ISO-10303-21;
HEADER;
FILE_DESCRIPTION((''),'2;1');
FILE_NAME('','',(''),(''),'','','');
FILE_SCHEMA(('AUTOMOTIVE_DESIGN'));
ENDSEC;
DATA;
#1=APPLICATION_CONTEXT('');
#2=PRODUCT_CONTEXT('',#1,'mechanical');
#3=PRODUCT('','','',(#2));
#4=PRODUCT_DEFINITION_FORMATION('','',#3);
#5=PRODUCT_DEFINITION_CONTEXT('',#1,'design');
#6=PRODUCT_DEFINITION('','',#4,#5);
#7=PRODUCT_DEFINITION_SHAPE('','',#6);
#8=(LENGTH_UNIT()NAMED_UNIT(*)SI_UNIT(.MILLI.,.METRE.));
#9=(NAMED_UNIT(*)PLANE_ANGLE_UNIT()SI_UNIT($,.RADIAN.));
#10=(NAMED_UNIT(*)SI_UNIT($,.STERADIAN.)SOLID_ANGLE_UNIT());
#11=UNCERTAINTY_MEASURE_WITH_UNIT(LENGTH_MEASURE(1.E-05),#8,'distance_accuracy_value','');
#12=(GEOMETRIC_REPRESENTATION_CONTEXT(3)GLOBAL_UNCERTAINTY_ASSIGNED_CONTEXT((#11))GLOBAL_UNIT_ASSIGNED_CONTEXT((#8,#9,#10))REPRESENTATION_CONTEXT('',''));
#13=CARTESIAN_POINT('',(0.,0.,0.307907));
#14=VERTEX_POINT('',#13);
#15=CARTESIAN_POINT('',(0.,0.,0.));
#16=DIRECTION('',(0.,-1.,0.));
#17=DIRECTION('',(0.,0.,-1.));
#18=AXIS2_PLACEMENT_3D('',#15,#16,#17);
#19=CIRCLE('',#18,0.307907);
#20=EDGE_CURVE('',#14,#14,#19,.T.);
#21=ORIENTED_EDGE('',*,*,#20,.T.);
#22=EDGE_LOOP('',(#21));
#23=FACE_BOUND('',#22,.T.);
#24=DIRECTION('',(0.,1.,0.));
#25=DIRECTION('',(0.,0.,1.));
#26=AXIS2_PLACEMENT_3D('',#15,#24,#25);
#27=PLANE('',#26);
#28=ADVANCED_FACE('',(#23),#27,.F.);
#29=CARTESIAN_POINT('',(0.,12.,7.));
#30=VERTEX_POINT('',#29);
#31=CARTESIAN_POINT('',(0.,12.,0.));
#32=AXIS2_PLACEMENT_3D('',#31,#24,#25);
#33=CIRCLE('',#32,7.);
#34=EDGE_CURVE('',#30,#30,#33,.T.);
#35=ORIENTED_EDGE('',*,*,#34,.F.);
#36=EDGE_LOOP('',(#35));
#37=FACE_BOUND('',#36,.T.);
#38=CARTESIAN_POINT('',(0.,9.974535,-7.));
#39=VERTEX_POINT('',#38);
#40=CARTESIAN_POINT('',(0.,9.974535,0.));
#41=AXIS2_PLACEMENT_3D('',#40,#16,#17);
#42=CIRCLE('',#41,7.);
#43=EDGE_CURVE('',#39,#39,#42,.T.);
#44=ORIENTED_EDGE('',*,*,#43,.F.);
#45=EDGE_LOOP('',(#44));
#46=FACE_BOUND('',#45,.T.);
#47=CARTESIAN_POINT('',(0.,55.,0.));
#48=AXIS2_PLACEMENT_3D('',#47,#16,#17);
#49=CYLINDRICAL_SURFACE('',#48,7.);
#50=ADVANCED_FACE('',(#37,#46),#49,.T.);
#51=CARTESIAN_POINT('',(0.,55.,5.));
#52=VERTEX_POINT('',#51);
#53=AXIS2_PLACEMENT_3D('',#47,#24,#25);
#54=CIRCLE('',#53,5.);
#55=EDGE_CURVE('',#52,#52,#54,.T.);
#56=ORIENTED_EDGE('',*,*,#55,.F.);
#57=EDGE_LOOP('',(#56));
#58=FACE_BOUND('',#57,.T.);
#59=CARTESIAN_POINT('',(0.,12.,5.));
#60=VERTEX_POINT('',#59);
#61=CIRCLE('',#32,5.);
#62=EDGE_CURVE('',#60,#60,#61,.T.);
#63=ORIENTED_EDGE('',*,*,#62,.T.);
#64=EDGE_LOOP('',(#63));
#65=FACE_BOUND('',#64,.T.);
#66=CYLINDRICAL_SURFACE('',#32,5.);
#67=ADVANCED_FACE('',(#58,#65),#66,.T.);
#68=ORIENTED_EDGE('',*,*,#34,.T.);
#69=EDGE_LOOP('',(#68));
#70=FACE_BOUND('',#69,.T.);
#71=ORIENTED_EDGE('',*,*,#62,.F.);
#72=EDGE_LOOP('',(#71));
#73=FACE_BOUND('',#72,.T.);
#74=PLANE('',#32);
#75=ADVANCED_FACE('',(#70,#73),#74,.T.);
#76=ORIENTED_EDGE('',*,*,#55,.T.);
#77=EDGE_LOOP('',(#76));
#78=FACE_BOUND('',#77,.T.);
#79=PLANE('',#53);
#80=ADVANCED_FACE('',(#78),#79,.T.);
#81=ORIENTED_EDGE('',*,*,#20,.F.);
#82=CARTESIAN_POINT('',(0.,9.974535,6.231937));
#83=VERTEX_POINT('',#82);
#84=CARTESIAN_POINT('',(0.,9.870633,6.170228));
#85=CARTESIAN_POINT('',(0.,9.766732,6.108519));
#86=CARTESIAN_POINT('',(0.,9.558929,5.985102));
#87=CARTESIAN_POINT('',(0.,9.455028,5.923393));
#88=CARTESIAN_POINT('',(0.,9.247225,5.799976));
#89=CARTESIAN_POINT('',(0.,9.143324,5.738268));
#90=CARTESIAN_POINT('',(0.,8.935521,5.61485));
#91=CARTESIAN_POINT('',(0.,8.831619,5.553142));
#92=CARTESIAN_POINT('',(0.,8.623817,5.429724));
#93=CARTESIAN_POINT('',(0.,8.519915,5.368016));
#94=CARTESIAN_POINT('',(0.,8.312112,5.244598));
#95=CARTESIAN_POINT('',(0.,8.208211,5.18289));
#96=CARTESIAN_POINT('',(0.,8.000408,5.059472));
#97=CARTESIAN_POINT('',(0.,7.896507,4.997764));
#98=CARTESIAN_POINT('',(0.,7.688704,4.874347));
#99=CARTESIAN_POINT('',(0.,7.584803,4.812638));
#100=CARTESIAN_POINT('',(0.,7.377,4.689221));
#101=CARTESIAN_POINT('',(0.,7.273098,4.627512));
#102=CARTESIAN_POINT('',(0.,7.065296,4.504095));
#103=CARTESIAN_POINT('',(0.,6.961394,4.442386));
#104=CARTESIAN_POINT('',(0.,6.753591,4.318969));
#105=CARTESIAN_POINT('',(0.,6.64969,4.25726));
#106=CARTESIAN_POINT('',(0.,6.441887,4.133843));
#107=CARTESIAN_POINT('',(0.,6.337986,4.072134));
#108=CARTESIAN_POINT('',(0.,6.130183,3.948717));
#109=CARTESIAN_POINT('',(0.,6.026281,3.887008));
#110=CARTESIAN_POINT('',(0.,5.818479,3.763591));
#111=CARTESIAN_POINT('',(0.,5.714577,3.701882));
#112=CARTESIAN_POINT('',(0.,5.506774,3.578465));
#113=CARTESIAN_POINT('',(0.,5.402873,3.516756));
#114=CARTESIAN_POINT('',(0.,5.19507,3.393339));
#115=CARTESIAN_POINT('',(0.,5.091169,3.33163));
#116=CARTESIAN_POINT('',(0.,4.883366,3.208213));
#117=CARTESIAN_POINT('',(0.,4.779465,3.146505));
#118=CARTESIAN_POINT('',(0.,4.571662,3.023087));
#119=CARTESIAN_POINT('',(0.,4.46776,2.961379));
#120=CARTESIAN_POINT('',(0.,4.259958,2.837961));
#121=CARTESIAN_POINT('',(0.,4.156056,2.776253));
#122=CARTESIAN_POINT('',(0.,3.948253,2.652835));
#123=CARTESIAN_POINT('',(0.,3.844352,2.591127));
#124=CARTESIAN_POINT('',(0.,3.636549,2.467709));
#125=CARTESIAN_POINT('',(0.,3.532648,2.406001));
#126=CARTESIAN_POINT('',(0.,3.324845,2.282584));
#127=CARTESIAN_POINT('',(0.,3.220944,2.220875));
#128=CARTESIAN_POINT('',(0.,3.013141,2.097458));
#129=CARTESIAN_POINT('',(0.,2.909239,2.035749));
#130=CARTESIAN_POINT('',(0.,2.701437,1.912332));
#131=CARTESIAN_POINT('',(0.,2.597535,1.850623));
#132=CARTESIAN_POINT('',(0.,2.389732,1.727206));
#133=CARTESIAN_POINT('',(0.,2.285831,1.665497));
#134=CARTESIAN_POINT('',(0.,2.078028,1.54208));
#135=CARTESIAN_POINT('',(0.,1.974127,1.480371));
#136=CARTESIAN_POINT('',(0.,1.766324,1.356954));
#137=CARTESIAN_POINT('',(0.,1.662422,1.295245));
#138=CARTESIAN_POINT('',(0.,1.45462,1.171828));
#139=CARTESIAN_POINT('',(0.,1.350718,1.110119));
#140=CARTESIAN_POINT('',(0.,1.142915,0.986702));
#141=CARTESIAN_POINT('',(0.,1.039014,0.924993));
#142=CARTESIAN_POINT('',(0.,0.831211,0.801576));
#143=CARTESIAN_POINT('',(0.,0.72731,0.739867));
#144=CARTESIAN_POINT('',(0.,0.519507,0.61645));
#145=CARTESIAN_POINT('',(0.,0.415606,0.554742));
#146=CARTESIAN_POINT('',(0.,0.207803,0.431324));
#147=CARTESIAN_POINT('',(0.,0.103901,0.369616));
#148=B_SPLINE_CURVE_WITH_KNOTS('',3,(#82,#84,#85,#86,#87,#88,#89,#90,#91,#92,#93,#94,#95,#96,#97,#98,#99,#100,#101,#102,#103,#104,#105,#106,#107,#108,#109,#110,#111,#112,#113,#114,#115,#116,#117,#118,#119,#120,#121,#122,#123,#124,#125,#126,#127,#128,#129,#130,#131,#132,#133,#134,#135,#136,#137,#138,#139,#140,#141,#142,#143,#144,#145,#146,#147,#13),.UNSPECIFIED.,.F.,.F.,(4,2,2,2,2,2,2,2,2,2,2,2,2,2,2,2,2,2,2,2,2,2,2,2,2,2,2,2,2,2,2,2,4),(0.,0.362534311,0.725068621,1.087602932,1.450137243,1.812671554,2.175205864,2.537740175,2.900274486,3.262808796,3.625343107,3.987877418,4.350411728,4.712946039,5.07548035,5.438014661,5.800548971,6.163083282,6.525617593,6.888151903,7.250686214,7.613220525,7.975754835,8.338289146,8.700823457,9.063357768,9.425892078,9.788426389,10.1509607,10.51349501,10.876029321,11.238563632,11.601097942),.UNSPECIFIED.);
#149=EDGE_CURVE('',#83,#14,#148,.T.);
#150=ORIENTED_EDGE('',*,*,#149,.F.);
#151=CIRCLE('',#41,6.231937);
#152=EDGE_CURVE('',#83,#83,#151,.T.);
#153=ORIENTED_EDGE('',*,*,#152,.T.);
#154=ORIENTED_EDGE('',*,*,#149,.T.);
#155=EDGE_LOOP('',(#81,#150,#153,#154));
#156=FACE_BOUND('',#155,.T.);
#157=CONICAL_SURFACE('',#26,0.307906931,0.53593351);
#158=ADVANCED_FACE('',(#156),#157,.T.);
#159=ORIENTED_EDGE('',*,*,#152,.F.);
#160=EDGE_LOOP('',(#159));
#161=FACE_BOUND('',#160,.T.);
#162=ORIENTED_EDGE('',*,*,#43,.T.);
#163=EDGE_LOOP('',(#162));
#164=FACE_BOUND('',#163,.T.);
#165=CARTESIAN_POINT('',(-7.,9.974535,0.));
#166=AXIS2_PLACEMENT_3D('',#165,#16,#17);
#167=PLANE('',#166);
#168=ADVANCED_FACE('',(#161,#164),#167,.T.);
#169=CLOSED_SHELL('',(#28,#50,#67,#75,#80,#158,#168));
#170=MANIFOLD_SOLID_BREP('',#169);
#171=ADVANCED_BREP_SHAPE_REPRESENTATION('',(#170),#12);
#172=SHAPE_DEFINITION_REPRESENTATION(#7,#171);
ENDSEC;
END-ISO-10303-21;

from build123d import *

# Parameters (mm, degrees)
SKETCH_1_R          = 7
EXTRUDE_1_DEPTH     = 55
CUT_EXTRUDE_START   = -43
SKETCH_2_R          = 7
SKETCH_2_R_2        = 5
CUT_EXTRUDE_2_DEPTH = 43


with BuildPart() as part:
    # 草图1 → 凸台-拉伸1 (new body)
    with BuildSketch(Plane(origin=(0, 0, 0), x_dir=(1, 0, 0), z_dir=(0, 1, 0))):
        with Locations(Location((0, 0, 0), (0, 0, 270))):
            Circle(SKETCH_1_R)
    extrude(amount=EXTRUDE_1_DEPTH)

    # 草图2 → 切除-拉伸2 (cut)
    with BuildSketch(Plane(origin=(0, 55, 0), x_dir=(1, 0, 0), z_dir=(0, 1, 0)).offset(CUT_EXTRUDE_START)):
        with Locations(Location((0, 0, 0), (0, 0, 270))):
            Circle(SKETCH_2_R)
        with Locations(Location((0, 0, 0), (0, 0, 270))):
            Circle(SKETCH_2_R_2, mode=Mode.SUBTRACT)
    extrude(amount=CUT_EXTRUDE_2_DEPTH, mode=Mode.SUBTRACT)

    # 草图8 → 切除-旋转25 (revolve, cut)
    with BuildSketch(Plane.XY, mode=Mode.PRIVATE) as cut_revolve_25_sk:
        Polygon((-7, 9.974534831), (-6.231936672, 9.974534831), (-0.307906931, 0), (-7, 0), align=None)
    revolve(cut_revolve_25_sk.sketch.rotate(Axis((0, 0, 0), (0, 1, 0)), 270), axis=Axis((0, 0, 0), (0, 1, 0)), mode=Mode.SUBTRACT)


solid = part.part
